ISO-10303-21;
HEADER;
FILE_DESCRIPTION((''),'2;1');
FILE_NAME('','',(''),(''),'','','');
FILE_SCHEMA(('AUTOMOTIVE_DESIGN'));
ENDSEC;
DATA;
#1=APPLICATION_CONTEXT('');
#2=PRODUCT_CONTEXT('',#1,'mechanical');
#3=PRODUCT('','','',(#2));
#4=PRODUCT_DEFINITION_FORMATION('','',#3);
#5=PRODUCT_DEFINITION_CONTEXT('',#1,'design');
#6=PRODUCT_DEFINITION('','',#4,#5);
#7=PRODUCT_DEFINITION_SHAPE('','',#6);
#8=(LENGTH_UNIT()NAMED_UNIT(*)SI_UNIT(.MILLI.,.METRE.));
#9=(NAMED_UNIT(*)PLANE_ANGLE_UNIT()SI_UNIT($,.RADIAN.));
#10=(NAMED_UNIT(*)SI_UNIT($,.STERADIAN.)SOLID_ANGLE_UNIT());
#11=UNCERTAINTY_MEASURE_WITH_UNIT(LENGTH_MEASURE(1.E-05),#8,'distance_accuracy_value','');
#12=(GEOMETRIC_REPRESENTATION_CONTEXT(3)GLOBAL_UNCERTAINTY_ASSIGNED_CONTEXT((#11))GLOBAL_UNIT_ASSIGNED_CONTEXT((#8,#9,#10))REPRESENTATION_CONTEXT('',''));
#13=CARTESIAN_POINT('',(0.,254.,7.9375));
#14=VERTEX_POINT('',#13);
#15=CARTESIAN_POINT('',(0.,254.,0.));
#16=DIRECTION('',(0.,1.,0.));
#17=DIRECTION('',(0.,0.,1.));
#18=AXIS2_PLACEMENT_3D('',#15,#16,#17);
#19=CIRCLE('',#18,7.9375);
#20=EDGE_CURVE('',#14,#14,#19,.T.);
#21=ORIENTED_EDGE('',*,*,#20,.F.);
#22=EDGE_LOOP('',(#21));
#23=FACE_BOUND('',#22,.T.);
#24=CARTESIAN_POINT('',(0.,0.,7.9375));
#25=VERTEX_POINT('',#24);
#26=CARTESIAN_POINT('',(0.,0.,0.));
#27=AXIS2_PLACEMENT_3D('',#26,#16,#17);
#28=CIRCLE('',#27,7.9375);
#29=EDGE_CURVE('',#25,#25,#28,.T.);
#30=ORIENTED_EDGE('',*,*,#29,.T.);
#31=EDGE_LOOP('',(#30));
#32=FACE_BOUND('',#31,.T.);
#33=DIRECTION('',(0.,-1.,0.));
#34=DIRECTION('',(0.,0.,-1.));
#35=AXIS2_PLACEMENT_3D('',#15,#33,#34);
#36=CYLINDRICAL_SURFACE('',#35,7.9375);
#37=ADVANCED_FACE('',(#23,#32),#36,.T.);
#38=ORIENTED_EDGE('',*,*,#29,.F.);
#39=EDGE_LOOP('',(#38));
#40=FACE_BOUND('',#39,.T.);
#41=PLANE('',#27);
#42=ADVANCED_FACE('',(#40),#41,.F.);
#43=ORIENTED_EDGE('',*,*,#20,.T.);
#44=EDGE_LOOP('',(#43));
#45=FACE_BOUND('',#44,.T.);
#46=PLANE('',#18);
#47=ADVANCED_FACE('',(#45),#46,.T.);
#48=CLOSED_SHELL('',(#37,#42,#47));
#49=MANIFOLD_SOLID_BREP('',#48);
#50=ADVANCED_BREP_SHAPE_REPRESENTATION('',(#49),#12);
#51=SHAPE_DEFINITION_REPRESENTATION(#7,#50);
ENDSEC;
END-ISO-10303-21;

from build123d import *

# Parameters (mm, degrees)
SKETCH1_R           = 7.9375
BOSS_EXTRUDE1_DEPTH = 254


with BuildPart() as part:
    # Sketch1 → Boss-Extrude1 (new body)
    with BuildSketch(Plane(origin=(0, 0, 0), x_dir=(1, 0, 0), z_dir=(0, 1, 0))):
        Circle(SKETCH1_R)
    extrude(amount=BOSS_EXTRUDE1_DEPTH)


solid = part.part
